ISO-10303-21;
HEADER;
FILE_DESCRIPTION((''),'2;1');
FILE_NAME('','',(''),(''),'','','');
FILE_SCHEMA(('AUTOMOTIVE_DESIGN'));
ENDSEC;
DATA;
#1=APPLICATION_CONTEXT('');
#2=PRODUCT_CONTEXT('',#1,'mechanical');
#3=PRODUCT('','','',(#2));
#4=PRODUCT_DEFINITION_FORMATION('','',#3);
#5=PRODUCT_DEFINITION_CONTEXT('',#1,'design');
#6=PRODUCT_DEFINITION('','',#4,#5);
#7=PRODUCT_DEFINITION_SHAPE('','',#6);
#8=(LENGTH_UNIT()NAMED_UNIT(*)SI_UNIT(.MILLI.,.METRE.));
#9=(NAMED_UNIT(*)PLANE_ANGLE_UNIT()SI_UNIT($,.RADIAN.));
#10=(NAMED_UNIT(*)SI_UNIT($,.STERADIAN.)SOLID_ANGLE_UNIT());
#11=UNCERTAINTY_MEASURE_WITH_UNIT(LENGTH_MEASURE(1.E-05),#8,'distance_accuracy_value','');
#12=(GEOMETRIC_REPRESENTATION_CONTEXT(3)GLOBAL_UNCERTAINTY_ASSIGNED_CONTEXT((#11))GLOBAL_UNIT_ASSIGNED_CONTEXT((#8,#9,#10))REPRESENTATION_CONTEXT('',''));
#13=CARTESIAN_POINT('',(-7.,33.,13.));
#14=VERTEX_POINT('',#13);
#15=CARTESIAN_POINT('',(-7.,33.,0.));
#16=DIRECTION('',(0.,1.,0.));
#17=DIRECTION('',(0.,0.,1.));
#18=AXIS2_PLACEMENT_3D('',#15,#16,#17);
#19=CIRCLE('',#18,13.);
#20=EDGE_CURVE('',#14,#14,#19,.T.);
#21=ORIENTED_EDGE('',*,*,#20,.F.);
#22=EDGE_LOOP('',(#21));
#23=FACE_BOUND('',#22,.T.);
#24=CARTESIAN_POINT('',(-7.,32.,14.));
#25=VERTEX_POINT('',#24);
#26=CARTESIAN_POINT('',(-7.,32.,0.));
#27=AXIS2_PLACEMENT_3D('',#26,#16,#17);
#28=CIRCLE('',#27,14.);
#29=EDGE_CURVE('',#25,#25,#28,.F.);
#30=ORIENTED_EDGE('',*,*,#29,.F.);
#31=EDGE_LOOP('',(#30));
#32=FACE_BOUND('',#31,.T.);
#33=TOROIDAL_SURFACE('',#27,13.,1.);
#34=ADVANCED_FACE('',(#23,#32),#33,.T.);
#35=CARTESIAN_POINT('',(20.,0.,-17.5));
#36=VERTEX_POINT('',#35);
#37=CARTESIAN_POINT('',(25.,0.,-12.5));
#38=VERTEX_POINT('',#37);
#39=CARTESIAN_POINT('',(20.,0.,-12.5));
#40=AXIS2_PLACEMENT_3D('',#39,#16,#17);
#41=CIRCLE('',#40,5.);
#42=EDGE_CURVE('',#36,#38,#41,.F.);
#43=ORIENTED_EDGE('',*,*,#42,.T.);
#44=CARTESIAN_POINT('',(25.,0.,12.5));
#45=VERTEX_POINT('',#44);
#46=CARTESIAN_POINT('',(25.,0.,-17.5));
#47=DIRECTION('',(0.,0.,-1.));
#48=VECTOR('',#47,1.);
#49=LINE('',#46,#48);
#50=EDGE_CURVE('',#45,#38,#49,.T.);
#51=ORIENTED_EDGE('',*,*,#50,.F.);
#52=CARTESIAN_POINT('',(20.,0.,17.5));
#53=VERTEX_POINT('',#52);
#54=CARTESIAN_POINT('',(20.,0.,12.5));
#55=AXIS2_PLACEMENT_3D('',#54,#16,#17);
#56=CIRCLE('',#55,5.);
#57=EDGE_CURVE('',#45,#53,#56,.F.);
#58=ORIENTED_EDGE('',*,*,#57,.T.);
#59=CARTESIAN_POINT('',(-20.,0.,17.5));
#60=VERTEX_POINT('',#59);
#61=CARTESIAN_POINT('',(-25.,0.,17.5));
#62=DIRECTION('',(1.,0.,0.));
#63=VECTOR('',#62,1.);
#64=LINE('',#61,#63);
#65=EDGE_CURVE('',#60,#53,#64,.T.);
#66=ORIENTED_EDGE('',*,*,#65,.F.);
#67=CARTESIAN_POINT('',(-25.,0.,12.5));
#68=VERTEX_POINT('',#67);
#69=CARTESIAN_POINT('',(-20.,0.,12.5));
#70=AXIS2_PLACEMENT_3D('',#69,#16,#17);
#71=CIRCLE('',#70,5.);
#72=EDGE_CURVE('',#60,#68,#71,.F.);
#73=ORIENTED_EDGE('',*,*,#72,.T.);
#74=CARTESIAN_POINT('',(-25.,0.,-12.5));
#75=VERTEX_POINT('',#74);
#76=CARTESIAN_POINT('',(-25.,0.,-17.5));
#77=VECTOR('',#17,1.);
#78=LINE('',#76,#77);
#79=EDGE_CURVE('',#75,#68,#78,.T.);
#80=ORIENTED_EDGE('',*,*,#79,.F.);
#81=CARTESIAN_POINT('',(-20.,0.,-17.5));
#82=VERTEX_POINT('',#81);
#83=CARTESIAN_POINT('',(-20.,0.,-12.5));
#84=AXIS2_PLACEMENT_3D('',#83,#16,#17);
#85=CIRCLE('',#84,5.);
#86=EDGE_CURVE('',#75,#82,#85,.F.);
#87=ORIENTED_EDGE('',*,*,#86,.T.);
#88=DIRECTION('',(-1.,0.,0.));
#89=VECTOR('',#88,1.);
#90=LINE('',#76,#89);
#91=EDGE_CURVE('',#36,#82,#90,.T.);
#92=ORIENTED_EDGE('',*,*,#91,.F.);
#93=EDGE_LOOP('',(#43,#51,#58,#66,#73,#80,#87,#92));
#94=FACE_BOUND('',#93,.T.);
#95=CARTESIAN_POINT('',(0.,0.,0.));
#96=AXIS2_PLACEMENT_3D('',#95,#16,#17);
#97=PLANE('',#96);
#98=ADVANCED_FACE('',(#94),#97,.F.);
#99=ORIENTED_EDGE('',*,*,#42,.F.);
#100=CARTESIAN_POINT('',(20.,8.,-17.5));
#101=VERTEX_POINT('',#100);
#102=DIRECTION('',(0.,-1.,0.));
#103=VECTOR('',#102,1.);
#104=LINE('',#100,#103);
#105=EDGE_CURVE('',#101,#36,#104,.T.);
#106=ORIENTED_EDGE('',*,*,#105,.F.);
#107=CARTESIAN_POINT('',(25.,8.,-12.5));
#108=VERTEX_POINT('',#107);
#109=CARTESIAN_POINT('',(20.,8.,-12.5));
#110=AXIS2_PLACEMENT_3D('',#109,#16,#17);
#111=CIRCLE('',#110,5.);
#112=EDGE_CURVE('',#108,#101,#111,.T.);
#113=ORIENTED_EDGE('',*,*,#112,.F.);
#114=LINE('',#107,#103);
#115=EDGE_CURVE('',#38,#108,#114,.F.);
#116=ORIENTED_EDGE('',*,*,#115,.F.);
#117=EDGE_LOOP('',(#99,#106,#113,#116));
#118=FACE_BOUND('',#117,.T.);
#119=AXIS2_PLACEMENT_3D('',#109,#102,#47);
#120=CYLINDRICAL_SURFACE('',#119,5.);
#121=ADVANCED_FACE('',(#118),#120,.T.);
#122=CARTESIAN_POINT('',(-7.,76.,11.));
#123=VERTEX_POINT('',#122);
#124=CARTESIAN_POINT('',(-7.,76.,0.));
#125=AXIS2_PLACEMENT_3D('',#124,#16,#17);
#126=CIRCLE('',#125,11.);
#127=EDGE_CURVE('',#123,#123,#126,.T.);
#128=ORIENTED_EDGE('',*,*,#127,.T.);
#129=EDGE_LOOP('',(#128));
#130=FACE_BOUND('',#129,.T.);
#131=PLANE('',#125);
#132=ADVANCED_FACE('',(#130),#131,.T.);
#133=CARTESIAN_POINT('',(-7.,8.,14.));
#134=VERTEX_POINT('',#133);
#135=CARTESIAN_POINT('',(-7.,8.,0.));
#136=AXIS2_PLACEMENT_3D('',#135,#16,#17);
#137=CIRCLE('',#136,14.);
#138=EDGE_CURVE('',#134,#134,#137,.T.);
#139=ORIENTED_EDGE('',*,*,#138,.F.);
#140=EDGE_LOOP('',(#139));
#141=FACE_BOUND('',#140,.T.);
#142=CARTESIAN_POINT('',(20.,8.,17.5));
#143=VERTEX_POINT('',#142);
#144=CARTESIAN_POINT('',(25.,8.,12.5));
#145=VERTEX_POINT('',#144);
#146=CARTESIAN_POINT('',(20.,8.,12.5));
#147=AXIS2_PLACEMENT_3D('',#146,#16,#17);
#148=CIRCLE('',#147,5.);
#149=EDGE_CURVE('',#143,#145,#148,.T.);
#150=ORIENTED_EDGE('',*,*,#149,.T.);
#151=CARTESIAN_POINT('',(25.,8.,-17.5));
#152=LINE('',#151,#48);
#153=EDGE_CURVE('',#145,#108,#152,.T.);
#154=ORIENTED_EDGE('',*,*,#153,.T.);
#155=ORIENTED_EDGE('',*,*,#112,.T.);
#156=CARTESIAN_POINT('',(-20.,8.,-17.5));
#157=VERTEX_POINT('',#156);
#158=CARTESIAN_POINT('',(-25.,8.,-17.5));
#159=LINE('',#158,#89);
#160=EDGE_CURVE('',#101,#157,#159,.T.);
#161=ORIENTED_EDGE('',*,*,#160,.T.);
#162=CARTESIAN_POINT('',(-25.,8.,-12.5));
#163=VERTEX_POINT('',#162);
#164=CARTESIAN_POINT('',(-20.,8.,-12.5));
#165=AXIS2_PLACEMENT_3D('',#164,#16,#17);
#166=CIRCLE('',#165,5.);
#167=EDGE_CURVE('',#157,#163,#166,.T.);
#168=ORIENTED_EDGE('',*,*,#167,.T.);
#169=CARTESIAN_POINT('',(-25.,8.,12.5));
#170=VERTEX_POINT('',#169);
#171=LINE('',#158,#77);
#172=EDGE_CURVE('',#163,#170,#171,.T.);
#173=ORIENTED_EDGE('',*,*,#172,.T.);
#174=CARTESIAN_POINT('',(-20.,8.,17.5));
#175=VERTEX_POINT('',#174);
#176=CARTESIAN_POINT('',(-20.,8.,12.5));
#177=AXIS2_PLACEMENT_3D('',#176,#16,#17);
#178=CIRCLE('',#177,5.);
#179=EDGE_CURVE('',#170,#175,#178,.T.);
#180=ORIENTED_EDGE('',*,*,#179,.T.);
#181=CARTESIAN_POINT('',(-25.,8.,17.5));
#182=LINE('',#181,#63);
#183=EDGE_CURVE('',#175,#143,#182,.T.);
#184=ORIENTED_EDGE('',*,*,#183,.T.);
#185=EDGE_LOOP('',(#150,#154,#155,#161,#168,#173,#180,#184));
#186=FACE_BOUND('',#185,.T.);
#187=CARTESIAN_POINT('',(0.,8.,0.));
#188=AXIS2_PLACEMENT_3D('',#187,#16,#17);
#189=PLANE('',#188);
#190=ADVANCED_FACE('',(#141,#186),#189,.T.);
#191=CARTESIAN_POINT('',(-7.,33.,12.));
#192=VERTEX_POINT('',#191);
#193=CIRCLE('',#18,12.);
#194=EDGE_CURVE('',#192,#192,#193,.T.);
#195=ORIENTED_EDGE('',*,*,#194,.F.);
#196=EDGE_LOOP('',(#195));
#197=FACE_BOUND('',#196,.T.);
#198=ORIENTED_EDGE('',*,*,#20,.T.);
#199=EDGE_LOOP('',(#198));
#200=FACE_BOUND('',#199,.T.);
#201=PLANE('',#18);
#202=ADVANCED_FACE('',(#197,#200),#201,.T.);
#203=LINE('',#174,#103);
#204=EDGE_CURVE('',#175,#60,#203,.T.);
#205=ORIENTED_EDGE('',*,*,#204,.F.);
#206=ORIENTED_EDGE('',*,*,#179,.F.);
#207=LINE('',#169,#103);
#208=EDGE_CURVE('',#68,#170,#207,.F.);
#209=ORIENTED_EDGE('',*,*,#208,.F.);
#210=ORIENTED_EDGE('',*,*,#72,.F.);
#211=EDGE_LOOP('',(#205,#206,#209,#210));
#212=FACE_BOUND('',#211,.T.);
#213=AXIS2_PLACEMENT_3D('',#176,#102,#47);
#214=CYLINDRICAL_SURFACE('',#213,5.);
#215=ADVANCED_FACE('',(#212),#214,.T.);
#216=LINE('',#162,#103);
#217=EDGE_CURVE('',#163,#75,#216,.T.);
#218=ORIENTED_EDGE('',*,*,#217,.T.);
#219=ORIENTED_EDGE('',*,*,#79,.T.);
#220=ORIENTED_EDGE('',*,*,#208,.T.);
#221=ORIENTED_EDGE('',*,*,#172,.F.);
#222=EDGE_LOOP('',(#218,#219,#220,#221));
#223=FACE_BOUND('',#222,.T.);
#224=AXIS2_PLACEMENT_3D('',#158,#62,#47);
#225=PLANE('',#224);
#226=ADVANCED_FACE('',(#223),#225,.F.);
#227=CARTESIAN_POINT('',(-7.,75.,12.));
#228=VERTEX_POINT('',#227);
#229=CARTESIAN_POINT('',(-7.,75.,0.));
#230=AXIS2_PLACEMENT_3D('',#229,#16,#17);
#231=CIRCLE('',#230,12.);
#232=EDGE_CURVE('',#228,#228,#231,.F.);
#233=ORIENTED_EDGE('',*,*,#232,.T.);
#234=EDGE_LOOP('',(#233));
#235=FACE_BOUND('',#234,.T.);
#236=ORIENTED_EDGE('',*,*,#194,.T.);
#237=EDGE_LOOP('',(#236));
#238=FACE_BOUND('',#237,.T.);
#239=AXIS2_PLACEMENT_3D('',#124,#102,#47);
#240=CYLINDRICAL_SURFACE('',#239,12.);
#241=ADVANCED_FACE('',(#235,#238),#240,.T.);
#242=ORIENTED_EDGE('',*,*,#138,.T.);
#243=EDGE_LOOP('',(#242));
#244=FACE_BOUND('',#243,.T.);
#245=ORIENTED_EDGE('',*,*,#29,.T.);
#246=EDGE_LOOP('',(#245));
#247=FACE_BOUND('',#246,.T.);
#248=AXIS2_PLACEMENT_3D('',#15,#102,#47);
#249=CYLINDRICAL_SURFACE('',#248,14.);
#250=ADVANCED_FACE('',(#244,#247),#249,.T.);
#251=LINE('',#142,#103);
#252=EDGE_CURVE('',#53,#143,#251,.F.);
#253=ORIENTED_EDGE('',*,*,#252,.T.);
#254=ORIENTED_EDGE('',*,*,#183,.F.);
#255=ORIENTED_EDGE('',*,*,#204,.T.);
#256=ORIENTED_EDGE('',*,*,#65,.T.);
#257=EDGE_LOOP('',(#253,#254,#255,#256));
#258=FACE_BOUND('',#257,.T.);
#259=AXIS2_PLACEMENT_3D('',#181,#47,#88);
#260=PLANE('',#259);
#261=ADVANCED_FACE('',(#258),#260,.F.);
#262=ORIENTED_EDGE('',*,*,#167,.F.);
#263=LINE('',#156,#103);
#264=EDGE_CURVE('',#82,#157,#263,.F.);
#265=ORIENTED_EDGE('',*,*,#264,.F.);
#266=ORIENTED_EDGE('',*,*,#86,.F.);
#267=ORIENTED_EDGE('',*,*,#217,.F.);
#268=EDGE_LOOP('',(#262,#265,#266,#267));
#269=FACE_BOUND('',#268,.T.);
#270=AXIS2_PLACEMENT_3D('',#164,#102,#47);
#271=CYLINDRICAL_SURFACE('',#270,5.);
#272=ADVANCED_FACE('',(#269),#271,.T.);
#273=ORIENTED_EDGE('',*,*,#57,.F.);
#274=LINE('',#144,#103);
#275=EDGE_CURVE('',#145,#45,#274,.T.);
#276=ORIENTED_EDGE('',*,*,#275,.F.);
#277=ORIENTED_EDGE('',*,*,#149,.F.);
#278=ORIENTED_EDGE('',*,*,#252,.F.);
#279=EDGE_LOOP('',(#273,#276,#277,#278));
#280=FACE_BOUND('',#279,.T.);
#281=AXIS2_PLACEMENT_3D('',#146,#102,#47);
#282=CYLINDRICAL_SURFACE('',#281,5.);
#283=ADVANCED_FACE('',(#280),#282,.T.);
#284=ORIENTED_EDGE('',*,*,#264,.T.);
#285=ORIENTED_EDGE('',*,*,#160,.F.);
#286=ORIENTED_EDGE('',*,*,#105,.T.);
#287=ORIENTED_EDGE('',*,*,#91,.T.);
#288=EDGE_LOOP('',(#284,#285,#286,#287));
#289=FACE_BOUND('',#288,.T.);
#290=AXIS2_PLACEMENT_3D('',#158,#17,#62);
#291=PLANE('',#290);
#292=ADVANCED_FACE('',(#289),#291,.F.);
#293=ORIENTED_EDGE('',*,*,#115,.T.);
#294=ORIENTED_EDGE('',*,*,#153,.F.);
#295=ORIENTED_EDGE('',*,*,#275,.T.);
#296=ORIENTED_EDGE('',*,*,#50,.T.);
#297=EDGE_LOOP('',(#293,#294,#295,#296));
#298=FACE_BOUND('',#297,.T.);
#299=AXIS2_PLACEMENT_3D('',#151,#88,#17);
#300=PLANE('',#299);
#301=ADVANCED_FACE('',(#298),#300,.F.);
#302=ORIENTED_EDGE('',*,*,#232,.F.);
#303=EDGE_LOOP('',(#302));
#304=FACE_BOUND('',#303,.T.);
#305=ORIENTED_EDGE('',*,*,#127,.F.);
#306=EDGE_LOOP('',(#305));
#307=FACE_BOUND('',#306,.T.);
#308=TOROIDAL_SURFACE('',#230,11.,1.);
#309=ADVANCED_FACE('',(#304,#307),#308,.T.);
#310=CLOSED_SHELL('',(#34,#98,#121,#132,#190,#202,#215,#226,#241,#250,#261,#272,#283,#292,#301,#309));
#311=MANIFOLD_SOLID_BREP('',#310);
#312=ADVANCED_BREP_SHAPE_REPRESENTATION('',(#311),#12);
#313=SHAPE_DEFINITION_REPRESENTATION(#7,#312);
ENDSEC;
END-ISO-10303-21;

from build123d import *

# Parameters (mm, degrees)
SKETCH1_W           = 50
SKETCH1_H           = 35
BOSS_EXTRUDE1_DEPTH = 8
SKETCH2_R           = 14
BOSS_EXTRUDE2_DEPTH = 25
SKETCH3_R           = 12
BOSS_EXTRUDE3_DEPTH = 43
FILLET1_R           = 5
FILLET2_R           = 1


with BuildPart() as part:
    # Sketch1 → Boss-Extrude1 (new body)
    with BuildSketch(Plane(origin=(0, 0, 0), x_dir=(1, 0, 0), z_dir=(0, 1, 0))):
        Rectangle(SKETCH1_W, SKETCH1_H)
    extrude(amount=BOSS_EXTRUDE1_DEPTH)

    # Sketch2 → Boss-Extrude2 (add)
    with BuildSketch(Plane(origin=(0, 8, 0), x_dir=(1, 0, 0), z_dir=(0, 1, 0))):
        with Locations(Location((-7, 0, 0), (0, 0, 270))):
            Circle(SKETCH2_R)
    extrude(amount=BOSS_EXTRUDE2_DEPTH)

    # Sketch3 → Boss-Extrude3 (add)
    with BuildSketch(Plane(origin=(0, 33, 0), x_dir=(1, 0, 0), z_dir=(0, 1, 0))):
        with Locations(Location((-7, 0, 0), (0, 0, 270))):
            Circle(SKETCH3_R)
    extrude(amount=BOSS_EXTRUDE3_DEPTH)

    # Fillet1
    fillet1_edges = [part.edges().sort_by_distance(p)[0] for p in [
        (25, 4, 17.5),
        (-25, 4, 17.5),
        (-25, 4, -17.5),
        (25, 4, -17.5),
    ]]
    fillet(fillet1_edges, radius=FILLET1_R)

    # Fillet2
    fillet2_edges = [part.edges().sort_by_distance(p)[0] for p in [
        (-7, 33, -14),
        (-7, 76, -12),
    ]]
    fillet(fillet2_edges, radius=FILLET2_R)


solid = part.part
